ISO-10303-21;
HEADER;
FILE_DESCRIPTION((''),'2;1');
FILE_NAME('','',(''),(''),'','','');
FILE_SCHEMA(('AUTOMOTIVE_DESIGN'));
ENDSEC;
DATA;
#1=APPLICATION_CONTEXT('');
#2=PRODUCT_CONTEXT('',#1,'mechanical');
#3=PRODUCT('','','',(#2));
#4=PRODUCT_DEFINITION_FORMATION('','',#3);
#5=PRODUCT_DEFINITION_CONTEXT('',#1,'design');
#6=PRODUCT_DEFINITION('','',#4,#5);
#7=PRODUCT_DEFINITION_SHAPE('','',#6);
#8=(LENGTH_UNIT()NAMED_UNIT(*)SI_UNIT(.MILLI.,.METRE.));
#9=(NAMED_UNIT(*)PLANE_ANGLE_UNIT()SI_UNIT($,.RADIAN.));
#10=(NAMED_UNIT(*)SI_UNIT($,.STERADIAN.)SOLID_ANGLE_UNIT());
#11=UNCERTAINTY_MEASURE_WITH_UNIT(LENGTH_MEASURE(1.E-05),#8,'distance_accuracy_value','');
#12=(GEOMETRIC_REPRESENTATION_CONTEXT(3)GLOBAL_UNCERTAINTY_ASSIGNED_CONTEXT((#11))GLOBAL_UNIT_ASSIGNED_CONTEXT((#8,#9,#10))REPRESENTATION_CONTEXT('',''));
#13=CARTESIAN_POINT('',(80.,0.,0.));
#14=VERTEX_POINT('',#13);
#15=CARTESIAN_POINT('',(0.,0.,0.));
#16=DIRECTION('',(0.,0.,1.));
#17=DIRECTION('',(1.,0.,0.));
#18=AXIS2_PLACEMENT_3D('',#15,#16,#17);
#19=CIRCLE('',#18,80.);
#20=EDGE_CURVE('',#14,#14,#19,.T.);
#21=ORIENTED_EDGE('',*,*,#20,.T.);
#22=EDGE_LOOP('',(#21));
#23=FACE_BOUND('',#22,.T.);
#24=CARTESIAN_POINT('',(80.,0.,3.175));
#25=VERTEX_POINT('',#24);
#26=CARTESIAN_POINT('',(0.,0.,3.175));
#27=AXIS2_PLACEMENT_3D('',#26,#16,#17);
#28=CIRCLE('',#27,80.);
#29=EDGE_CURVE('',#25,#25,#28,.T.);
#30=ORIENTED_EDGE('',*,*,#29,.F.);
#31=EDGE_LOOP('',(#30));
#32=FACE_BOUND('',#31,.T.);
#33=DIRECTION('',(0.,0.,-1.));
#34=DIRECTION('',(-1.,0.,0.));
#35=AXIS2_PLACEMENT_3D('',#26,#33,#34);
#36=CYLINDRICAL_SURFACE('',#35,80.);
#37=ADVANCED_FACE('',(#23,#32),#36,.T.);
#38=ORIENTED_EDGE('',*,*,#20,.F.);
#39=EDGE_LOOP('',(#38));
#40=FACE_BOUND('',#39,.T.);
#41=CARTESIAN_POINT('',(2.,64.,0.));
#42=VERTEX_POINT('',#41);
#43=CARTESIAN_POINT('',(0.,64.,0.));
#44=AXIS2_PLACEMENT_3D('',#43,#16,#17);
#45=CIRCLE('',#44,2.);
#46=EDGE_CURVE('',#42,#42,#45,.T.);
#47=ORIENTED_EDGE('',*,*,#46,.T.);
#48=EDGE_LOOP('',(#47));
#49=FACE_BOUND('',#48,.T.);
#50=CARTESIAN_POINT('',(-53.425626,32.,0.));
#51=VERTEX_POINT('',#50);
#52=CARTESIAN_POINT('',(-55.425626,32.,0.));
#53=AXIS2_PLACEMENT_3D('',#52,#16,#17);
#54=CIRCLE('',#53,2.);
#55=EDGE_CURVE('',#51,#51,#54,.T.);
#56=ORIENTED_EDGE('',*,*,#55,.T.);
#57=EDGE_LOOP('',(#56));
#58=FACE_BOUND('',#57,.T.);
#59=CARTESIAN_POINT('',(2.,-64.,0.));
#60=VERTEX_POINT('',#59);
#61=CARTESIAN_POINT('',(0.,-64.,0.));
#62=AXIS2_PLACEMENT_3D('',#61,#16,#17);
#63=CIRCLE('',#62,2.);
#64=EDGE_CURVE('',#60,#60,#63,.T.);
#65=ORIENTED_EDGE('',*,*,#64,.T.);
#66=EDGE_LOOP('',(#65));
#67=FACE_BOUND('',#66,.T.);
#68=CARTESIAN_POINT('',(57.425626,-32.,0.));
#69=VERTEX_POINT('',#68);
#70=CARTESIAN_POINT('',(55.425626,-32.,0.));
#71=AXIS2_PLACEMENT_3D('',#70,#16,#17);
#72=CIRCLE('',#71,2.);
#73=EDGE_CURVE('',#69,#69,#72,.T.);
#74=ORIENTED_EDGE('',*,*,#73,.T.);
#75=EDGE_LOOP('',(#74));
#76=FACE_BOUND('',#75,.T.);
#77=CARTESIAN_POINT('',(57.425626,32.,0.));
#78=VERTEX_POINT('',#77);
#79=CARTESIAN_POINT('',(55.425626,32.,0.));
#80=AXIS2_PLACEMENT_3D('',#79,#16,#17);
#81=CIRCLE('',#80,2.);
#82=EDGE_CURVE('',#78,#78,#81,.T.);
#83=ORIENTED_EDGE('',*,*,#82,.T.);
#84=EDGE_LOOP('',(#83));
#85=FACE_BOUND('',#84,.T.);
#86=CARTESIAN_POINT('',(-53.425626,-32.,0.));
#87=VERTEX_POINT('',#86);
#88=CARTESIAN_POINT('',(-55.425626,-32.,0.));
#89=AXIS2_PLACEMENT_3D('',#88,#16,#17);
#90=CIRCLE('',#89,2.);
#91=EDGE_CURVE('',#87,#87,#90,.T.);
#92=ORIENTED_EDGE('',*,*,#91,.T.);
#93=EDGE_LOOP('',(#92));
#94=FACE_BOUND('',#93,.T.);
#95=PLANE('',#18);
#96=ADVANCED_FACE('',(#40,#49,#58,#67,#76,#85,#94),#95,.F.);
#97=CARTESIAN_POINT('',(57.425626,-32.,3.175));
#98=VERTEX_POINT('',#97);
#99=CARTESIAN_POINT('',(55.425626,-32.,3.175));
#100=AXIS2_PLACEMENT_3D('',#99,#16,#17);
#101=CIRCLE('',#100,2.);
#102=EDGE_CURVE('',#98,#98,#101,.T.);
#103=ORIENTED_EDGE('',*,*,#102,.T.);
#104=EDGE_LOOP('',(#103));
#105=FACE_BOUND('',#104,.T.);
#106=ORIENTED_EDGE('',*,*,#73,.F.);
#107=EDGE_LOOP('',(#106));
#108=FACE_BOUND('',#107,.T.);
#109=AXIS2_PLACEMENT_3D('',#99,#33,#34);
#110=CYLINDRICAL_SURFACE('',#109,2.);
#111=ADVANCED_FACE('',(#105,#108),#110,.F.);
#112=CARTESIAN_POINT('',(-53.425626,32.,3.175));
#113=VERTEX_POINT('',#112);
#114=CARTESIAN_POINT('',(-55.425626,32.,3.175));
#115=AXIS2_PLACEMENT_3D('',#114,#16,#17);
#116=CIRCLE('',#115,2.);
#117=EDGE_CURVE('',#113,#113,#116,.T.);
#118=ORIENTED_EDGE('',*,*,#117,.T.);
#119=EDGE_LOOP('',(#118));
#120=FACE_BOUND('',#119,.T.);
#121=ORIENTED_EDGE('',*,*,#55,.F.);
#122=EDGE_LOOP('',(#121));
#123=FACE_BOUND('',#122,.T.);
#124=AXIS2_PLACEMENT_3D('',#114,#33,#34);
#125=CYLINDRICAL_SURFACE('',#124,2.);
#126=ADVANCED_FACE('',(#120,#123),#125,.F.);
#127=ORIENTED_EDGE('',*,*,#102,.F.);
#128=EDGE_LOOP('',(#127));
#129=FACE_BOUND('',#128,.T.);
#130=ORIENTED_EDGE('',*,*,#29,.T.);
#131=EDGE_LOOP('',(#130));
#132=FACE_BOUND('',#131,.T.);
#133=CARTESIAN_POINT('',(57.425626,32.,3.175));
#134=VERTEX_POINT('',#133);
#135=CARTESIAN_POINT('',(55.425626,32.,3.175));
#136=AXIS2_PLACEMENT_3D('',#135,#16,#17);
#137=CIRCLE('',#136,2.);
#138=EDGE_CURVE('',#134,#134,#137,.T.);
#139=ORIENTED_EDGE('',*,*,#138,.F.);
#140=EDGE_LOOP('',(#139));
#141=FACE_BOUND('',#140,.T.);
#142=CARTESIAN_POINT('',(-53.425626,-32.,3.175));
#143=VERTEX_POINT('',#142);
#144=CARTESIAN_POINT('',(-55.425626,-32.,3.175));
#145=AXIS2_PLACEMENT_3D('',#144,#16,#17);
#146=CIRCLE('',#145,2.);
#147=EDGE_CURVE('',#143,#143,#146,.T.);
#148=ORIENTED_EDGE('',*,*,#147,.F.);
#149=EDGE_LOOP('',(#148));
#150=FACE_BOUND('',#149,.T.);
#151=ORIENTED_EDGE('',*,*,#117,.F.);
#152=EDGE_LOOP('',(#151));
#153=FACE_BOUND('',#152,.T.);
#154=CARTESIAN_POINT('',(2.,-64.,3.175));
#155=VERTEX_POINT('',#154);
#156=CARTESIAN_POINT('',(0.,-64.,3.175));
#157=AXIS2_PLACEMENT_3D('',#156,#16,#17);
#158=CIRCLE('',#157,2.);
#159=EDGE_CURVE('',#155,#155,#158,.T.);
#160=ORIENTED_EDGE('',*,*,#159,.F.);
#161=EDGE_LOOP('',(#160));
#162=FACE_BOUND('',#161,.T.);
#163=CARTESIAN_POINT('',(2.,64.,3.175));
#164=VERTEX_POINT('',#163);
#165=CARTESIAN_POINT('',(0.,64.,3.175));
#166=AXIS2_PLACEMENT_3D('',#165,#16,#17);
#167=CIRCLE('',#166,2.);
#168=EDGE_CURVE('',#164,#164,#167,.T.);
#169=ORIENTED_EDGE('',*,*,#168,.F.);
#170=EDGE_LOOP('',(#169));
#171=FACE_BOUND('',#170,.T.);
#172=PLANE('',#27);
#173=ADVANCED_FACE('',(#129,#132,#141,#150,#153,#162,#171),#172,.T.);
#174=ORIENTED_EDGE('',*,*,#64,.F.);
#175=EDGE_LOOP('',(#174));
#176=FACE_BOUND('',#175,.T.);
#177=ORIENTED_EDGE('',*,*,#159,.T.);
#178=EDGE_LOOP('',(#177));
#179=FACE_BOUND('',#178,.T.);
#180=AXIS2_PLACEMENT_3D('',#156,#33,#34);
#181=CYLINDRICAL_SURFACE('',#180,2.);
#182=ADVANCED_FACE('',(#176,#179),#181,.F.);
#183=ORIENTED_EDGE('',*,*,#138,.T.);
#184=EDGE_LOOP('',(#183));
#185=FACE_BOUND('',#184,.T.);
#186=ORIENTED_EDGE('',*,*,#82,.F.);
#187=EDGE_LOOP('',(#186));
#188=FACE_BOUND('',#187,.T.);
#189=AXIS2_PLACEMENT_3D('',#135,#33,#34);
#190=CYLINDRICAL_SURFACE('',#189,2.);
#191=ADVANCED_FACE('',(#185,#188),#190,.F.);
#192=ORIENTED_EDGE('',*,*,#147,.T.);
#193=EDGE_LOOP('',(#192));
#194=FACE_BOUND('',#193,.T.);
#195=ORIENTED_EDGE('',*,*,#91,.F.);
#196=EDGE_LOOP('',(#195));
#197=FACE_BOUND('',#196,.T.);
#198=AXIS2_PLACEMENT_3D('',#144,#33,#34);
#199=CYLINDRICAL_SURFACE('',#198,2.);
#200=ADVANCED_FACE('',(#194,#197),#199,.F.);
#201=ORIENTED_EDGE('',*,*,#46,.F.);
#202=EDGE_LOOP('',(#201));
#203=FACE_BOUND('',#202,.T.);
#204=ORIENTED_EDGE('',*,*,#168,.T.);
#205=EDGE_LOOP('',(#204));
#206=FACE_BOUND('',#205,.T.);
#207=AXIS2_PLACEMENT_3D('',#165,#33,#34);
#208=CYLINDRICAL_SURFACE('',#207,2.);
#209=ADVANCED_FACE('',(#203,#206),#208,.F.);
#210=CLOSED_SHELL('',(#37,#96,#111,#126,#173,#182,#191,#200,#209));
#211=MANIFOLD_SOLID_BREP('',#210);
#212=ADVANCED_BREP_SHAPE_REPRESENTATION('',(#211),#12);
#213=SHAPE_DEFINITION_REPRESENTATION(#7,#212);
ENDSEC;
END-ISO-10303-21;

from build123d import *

# Parameters (mm, degrees)
SKETCH1_R           = 80
SKETCH1_R_2         = 2
BOSS_EXTRUDE1_DEPTH = 3.175


with BuildPart() as part:
    # Sketch1 → Boss-Extrude1 (new body)
    with BuildSketch(Plane.XY):
        Circle(SKETCH1_R)
        with Locations((0, 64)):
            Circle(SKETCH1_R_2, mode=Mode.SUBTRACT)
        with Locations((55.425625842, 32)):
            Circle(SKETCH1_R_2, mode=Mode.SUBTRACT)
        with Locations((55.425625842, -32)):
            Circle(SKETCH1_R_2, mode=Mode.SUBTRACT)
        with Locations((0, -64)):
            Circle(SKETCH1_R_2, mode=Mode.SUBTRACT)
        with Locations((-55.425625842, -32)):
            Circle(SKETCH1_R_2, mode=Mode.SUBTRACT)
        with Locations((-55.425625842, 32)):
            Circle(SKETCH1_R_2, mode=Mode.SUBTRACT)
    extrude(amount=BOSS_EXTRUDE1_DEPTH)


solid = part.part
